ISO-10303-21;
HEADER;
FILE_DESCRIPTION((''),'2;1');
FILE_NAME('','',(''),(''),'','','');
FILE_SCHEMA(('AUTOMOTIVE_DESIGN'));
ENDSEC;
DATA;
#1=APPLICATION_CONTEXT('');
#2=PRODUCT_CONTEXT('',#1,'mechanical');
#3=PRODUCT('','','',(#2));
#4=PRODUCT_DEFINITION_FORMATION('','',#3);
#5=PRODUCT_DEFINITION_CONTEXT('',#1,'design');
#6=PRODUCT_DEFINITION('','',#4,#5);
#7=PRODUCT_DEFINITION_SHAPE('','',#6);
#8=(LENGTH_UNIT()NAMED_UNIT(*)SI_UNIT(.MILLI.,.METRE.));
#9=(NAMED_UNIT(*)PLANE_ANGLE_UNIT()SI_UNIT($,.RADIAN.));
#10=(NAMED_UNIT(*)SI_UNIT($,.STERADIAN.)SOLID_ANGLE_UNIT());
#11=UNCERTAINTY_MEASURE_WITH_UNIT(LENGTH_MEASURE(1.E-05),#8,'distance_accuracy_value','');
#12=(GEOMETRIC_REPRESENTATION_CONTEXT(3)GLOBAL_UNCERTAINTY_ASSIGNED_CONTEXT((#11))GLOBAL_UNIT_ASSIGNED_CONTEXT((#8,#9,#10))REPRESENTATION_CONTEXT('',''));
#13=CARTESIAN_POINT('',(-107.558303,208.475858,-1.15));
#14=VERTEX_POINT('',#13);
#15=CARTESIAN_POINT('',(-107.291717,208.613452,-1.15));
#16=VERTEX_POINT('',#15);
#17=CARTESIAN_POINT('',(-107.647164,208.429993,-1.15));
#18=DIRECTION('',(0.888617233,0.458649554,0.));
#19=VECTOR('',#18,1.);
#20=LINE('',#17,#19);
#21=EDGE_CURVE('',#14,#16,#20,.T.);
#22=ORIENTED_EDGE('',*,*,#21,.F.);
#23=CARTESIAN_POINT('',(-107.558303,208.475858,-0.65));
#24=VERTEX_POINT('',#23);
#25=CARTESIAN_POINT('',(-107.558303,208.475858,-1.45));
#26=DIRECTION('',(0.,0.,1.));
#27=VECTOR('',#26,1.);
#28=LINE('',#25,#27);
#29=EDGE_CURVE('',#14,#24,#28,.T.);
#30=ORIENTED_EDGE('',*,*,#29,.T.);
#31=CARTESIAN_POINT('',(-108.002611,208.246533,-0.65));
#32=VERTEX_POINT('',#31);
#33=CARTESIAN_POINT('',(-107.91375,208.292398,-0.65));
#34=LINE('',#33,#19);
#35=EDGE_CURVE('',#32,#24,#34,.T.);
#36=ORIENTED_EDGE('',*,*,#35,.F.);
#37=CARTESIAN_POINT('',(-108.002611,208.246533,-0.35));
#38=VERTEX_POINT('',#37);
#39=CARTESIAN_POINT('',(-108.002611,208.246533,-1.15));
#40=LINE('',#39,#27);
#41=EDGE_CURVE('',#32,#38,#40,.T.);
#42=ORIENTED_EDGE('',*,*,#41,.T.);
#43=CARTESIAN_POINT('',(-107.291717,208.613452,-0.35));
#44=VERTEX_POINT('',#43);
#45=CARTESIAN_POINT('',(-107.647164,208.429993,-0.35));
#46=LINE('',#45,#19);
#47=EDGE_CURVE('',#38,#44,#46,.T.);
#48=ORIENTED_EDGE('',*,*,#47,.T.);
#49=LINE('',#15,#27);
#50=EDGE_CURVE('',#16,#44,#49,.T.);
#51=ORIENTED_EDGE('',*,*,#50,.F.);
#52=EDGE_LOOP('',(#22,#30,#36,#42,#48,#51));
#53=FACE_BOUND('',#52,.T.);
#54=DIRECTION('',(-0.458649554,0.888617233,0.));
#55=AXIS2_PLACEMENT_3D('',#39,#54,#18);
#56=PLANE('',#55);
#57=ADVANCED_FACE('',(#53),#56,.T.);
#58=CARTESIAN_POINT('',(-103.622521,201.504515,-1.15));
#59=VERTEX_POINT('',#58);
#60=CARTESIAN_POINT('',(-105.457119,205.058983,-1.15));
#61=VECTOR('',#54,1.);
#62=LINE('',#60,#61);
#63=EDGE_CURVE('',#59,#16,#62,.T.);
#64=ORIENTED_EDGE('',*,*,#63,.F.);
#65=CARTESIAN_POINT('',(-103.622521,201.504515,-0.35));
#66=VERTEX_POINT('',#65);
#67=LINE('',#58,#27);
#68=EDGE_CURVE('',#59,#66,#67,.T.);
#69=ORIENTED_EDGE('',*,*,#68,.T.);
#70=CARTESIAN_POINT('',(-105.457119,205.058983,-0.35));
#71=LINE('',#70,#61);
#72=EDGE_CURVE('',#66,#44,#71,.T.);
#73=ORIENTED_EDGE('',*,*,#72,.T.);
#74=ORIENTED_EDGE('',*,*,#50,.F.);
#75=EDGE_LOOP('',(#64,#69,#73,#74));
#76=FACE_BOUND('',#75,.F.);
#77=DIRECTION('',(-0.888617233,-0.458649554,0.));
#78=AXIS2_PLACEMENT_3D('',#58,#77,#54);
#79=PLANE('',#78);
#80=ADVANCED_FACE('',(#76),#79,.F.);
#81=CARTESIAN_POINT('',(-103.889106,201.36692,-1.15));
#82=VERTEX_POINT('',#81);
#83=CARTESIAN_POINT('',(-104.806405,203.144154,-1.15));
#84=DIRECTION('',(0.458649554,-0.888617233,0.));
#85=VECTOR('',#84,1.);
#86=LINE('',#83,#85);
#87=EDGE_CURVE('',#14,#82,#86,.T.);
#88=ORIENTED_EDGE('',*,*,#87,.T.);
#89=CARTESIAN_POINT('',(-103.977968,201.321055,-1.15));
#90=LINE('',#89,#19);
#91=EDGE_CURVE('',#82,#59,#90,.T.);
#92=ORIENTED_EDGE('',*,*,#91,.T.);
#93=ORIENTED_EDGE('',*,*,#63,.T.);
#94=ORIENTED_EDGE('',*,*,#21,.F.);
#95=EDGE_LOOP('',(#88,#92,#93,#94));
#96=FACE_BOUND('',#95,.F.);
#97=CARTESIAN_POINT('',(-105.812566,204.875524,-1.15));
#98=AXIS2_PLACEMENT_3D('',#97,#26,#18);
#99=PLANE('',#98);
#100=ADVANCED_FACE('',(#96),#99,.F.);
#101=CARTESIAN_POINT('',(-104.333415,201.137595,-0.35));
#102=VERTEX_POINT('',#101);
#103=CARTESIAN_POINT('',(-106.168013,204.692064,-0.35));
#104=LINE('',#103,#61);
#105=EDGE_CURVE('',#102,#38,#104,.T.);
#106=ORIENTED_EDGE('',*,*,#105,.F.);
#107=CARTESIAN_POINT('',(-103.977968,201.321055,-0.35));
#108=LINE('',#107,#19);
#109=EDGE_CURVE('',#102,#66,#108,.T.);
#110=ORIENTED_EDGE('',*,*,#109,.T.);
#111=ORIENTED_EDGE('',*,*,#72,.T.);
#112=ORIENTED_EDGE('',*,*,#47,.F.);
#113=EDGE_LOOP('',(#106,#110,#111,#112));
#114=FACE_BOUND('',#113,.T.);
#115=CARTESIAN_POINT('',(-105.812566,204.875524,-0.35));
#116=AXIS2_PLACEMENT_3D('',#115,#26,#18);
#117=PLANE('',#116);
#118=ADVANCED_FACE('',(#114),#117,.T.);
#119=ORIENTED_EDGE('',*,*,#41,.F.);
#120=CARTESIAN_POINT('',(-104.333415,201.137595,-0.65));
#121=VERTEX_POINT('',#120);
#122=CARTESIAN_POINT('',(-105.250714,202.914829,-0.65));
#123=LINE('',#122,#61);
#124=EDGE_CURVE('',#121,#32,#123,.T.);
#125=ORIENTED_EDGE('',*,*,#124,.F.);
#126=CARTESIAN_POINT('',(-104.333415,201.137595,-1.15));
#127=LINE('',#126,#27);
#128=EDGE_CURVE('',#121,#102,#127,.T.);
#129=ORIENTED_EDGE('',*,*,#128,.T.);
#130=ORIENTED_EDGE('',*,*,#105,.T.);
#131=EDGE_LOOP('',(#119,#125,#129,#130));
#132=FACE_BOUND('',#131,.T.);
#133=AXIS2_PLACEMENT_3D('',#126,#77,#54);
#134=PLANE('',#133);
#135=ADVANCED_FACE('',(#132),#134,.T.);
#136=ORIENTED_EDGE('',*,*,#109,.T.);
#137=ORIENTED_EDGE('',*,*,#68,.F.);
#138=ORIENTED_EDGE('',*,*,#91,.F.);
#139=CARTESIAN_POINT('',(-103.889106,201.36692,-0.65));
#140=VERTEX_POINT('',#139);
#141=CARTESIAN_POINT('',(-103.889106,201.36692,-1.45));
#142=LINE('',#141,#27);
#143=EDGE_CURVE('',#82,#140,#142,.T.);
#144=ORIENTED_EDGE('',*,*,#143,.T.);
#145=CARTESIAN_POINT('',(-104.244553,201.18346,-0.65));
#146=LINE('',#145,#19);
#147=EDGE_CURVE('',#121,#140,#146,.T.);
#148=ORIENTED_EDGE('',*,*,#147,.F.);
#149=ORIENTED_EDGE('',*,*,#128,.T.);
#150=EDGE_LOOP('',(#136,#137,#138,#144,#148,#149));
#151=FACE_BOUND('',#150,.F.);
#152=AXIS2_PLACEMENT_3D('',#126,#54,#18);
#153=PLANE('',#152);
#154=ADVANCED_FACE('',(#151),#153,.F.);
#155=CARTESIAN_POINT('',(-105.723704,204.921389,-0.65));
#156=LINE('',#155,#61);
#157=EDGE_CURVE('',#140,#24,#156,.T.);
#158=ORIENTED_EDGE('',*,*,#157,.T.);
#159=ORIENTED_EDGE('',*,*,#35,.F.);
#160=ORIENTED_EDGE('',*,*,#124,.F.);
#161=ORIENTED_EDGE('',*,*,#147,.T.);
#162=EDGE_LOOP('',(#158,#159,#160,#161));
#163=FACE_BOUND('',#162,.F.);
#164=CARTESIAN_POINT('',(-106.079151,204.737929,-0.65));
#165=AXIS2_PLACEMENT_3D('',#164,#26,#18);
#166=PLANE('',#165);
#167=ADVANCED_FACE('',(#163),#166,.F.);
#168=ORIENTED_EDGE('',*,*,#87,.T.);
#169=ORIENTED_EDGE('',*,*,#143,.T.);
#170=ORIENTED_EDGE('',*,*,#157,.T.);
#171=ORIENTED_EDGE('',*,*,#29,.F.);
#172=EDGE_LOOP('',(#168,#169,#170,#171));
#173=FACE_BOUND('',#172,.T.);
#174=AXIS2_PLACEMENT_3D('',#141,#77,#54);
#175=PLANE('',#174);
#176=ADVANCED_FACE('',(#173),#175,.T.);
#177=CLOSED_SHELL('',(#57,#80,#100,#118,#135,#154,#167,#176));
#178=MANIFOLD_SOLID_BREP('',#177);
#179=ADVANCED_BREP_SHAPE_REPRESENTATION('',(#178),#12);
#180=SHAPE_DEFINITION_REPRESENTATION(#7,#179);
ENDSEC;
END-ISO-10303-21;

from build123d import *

# Parameters (mm, degrees)
BOX145_W               = 0.8
BOX145_H               = 8
BOX145_DEPTH           = 0.8
BOX146_W               = 0.8
BOX146_H               = 8
BOX146_DEPTH           = 0.8
CUT076_PLACEMENT_ANGLE = 27.3


with BuildPart() as cubo145:
    # Box145 → Box145 (new body)
    with BuildSketch(Plane.XY):
        with Locations((0.4, 4)):
            Rectangle(BOX145_W, BOX145_H)
    extrude(amount=BOX145_DEPTH)


with BuildPart() as perfil_l_2da_cara018:
    # Box146 → Box146 (new body)
    with BuildSketch(Plane(origin=(0.3, 0, 0.3), x_dir=(1, 0, 0), z_dir=(0, 0, 1))):
        with Locations((0.4, 4)):
            Rectangle(BOX146_W, BOX146_H)
    extrude(amount=BOX146_DEPTH)

    # Cut076: cut Cubo145
    add(cubo145.part, mode=Mode.SUBTRACT)


with BuildPart() as perfil_l_2da_cara018_1:
    # Cut076 placement: moved
    add(perfil_l_2da_cara018.part.moved(Location((-104.6, 201, -1.45))).rotate(Axis((-104.6, 201, -1.45), (0, 0, 1)), CUT076_PLACEMENT_ANGLE))


solid = perfil_l_2da_cara018_1.part
